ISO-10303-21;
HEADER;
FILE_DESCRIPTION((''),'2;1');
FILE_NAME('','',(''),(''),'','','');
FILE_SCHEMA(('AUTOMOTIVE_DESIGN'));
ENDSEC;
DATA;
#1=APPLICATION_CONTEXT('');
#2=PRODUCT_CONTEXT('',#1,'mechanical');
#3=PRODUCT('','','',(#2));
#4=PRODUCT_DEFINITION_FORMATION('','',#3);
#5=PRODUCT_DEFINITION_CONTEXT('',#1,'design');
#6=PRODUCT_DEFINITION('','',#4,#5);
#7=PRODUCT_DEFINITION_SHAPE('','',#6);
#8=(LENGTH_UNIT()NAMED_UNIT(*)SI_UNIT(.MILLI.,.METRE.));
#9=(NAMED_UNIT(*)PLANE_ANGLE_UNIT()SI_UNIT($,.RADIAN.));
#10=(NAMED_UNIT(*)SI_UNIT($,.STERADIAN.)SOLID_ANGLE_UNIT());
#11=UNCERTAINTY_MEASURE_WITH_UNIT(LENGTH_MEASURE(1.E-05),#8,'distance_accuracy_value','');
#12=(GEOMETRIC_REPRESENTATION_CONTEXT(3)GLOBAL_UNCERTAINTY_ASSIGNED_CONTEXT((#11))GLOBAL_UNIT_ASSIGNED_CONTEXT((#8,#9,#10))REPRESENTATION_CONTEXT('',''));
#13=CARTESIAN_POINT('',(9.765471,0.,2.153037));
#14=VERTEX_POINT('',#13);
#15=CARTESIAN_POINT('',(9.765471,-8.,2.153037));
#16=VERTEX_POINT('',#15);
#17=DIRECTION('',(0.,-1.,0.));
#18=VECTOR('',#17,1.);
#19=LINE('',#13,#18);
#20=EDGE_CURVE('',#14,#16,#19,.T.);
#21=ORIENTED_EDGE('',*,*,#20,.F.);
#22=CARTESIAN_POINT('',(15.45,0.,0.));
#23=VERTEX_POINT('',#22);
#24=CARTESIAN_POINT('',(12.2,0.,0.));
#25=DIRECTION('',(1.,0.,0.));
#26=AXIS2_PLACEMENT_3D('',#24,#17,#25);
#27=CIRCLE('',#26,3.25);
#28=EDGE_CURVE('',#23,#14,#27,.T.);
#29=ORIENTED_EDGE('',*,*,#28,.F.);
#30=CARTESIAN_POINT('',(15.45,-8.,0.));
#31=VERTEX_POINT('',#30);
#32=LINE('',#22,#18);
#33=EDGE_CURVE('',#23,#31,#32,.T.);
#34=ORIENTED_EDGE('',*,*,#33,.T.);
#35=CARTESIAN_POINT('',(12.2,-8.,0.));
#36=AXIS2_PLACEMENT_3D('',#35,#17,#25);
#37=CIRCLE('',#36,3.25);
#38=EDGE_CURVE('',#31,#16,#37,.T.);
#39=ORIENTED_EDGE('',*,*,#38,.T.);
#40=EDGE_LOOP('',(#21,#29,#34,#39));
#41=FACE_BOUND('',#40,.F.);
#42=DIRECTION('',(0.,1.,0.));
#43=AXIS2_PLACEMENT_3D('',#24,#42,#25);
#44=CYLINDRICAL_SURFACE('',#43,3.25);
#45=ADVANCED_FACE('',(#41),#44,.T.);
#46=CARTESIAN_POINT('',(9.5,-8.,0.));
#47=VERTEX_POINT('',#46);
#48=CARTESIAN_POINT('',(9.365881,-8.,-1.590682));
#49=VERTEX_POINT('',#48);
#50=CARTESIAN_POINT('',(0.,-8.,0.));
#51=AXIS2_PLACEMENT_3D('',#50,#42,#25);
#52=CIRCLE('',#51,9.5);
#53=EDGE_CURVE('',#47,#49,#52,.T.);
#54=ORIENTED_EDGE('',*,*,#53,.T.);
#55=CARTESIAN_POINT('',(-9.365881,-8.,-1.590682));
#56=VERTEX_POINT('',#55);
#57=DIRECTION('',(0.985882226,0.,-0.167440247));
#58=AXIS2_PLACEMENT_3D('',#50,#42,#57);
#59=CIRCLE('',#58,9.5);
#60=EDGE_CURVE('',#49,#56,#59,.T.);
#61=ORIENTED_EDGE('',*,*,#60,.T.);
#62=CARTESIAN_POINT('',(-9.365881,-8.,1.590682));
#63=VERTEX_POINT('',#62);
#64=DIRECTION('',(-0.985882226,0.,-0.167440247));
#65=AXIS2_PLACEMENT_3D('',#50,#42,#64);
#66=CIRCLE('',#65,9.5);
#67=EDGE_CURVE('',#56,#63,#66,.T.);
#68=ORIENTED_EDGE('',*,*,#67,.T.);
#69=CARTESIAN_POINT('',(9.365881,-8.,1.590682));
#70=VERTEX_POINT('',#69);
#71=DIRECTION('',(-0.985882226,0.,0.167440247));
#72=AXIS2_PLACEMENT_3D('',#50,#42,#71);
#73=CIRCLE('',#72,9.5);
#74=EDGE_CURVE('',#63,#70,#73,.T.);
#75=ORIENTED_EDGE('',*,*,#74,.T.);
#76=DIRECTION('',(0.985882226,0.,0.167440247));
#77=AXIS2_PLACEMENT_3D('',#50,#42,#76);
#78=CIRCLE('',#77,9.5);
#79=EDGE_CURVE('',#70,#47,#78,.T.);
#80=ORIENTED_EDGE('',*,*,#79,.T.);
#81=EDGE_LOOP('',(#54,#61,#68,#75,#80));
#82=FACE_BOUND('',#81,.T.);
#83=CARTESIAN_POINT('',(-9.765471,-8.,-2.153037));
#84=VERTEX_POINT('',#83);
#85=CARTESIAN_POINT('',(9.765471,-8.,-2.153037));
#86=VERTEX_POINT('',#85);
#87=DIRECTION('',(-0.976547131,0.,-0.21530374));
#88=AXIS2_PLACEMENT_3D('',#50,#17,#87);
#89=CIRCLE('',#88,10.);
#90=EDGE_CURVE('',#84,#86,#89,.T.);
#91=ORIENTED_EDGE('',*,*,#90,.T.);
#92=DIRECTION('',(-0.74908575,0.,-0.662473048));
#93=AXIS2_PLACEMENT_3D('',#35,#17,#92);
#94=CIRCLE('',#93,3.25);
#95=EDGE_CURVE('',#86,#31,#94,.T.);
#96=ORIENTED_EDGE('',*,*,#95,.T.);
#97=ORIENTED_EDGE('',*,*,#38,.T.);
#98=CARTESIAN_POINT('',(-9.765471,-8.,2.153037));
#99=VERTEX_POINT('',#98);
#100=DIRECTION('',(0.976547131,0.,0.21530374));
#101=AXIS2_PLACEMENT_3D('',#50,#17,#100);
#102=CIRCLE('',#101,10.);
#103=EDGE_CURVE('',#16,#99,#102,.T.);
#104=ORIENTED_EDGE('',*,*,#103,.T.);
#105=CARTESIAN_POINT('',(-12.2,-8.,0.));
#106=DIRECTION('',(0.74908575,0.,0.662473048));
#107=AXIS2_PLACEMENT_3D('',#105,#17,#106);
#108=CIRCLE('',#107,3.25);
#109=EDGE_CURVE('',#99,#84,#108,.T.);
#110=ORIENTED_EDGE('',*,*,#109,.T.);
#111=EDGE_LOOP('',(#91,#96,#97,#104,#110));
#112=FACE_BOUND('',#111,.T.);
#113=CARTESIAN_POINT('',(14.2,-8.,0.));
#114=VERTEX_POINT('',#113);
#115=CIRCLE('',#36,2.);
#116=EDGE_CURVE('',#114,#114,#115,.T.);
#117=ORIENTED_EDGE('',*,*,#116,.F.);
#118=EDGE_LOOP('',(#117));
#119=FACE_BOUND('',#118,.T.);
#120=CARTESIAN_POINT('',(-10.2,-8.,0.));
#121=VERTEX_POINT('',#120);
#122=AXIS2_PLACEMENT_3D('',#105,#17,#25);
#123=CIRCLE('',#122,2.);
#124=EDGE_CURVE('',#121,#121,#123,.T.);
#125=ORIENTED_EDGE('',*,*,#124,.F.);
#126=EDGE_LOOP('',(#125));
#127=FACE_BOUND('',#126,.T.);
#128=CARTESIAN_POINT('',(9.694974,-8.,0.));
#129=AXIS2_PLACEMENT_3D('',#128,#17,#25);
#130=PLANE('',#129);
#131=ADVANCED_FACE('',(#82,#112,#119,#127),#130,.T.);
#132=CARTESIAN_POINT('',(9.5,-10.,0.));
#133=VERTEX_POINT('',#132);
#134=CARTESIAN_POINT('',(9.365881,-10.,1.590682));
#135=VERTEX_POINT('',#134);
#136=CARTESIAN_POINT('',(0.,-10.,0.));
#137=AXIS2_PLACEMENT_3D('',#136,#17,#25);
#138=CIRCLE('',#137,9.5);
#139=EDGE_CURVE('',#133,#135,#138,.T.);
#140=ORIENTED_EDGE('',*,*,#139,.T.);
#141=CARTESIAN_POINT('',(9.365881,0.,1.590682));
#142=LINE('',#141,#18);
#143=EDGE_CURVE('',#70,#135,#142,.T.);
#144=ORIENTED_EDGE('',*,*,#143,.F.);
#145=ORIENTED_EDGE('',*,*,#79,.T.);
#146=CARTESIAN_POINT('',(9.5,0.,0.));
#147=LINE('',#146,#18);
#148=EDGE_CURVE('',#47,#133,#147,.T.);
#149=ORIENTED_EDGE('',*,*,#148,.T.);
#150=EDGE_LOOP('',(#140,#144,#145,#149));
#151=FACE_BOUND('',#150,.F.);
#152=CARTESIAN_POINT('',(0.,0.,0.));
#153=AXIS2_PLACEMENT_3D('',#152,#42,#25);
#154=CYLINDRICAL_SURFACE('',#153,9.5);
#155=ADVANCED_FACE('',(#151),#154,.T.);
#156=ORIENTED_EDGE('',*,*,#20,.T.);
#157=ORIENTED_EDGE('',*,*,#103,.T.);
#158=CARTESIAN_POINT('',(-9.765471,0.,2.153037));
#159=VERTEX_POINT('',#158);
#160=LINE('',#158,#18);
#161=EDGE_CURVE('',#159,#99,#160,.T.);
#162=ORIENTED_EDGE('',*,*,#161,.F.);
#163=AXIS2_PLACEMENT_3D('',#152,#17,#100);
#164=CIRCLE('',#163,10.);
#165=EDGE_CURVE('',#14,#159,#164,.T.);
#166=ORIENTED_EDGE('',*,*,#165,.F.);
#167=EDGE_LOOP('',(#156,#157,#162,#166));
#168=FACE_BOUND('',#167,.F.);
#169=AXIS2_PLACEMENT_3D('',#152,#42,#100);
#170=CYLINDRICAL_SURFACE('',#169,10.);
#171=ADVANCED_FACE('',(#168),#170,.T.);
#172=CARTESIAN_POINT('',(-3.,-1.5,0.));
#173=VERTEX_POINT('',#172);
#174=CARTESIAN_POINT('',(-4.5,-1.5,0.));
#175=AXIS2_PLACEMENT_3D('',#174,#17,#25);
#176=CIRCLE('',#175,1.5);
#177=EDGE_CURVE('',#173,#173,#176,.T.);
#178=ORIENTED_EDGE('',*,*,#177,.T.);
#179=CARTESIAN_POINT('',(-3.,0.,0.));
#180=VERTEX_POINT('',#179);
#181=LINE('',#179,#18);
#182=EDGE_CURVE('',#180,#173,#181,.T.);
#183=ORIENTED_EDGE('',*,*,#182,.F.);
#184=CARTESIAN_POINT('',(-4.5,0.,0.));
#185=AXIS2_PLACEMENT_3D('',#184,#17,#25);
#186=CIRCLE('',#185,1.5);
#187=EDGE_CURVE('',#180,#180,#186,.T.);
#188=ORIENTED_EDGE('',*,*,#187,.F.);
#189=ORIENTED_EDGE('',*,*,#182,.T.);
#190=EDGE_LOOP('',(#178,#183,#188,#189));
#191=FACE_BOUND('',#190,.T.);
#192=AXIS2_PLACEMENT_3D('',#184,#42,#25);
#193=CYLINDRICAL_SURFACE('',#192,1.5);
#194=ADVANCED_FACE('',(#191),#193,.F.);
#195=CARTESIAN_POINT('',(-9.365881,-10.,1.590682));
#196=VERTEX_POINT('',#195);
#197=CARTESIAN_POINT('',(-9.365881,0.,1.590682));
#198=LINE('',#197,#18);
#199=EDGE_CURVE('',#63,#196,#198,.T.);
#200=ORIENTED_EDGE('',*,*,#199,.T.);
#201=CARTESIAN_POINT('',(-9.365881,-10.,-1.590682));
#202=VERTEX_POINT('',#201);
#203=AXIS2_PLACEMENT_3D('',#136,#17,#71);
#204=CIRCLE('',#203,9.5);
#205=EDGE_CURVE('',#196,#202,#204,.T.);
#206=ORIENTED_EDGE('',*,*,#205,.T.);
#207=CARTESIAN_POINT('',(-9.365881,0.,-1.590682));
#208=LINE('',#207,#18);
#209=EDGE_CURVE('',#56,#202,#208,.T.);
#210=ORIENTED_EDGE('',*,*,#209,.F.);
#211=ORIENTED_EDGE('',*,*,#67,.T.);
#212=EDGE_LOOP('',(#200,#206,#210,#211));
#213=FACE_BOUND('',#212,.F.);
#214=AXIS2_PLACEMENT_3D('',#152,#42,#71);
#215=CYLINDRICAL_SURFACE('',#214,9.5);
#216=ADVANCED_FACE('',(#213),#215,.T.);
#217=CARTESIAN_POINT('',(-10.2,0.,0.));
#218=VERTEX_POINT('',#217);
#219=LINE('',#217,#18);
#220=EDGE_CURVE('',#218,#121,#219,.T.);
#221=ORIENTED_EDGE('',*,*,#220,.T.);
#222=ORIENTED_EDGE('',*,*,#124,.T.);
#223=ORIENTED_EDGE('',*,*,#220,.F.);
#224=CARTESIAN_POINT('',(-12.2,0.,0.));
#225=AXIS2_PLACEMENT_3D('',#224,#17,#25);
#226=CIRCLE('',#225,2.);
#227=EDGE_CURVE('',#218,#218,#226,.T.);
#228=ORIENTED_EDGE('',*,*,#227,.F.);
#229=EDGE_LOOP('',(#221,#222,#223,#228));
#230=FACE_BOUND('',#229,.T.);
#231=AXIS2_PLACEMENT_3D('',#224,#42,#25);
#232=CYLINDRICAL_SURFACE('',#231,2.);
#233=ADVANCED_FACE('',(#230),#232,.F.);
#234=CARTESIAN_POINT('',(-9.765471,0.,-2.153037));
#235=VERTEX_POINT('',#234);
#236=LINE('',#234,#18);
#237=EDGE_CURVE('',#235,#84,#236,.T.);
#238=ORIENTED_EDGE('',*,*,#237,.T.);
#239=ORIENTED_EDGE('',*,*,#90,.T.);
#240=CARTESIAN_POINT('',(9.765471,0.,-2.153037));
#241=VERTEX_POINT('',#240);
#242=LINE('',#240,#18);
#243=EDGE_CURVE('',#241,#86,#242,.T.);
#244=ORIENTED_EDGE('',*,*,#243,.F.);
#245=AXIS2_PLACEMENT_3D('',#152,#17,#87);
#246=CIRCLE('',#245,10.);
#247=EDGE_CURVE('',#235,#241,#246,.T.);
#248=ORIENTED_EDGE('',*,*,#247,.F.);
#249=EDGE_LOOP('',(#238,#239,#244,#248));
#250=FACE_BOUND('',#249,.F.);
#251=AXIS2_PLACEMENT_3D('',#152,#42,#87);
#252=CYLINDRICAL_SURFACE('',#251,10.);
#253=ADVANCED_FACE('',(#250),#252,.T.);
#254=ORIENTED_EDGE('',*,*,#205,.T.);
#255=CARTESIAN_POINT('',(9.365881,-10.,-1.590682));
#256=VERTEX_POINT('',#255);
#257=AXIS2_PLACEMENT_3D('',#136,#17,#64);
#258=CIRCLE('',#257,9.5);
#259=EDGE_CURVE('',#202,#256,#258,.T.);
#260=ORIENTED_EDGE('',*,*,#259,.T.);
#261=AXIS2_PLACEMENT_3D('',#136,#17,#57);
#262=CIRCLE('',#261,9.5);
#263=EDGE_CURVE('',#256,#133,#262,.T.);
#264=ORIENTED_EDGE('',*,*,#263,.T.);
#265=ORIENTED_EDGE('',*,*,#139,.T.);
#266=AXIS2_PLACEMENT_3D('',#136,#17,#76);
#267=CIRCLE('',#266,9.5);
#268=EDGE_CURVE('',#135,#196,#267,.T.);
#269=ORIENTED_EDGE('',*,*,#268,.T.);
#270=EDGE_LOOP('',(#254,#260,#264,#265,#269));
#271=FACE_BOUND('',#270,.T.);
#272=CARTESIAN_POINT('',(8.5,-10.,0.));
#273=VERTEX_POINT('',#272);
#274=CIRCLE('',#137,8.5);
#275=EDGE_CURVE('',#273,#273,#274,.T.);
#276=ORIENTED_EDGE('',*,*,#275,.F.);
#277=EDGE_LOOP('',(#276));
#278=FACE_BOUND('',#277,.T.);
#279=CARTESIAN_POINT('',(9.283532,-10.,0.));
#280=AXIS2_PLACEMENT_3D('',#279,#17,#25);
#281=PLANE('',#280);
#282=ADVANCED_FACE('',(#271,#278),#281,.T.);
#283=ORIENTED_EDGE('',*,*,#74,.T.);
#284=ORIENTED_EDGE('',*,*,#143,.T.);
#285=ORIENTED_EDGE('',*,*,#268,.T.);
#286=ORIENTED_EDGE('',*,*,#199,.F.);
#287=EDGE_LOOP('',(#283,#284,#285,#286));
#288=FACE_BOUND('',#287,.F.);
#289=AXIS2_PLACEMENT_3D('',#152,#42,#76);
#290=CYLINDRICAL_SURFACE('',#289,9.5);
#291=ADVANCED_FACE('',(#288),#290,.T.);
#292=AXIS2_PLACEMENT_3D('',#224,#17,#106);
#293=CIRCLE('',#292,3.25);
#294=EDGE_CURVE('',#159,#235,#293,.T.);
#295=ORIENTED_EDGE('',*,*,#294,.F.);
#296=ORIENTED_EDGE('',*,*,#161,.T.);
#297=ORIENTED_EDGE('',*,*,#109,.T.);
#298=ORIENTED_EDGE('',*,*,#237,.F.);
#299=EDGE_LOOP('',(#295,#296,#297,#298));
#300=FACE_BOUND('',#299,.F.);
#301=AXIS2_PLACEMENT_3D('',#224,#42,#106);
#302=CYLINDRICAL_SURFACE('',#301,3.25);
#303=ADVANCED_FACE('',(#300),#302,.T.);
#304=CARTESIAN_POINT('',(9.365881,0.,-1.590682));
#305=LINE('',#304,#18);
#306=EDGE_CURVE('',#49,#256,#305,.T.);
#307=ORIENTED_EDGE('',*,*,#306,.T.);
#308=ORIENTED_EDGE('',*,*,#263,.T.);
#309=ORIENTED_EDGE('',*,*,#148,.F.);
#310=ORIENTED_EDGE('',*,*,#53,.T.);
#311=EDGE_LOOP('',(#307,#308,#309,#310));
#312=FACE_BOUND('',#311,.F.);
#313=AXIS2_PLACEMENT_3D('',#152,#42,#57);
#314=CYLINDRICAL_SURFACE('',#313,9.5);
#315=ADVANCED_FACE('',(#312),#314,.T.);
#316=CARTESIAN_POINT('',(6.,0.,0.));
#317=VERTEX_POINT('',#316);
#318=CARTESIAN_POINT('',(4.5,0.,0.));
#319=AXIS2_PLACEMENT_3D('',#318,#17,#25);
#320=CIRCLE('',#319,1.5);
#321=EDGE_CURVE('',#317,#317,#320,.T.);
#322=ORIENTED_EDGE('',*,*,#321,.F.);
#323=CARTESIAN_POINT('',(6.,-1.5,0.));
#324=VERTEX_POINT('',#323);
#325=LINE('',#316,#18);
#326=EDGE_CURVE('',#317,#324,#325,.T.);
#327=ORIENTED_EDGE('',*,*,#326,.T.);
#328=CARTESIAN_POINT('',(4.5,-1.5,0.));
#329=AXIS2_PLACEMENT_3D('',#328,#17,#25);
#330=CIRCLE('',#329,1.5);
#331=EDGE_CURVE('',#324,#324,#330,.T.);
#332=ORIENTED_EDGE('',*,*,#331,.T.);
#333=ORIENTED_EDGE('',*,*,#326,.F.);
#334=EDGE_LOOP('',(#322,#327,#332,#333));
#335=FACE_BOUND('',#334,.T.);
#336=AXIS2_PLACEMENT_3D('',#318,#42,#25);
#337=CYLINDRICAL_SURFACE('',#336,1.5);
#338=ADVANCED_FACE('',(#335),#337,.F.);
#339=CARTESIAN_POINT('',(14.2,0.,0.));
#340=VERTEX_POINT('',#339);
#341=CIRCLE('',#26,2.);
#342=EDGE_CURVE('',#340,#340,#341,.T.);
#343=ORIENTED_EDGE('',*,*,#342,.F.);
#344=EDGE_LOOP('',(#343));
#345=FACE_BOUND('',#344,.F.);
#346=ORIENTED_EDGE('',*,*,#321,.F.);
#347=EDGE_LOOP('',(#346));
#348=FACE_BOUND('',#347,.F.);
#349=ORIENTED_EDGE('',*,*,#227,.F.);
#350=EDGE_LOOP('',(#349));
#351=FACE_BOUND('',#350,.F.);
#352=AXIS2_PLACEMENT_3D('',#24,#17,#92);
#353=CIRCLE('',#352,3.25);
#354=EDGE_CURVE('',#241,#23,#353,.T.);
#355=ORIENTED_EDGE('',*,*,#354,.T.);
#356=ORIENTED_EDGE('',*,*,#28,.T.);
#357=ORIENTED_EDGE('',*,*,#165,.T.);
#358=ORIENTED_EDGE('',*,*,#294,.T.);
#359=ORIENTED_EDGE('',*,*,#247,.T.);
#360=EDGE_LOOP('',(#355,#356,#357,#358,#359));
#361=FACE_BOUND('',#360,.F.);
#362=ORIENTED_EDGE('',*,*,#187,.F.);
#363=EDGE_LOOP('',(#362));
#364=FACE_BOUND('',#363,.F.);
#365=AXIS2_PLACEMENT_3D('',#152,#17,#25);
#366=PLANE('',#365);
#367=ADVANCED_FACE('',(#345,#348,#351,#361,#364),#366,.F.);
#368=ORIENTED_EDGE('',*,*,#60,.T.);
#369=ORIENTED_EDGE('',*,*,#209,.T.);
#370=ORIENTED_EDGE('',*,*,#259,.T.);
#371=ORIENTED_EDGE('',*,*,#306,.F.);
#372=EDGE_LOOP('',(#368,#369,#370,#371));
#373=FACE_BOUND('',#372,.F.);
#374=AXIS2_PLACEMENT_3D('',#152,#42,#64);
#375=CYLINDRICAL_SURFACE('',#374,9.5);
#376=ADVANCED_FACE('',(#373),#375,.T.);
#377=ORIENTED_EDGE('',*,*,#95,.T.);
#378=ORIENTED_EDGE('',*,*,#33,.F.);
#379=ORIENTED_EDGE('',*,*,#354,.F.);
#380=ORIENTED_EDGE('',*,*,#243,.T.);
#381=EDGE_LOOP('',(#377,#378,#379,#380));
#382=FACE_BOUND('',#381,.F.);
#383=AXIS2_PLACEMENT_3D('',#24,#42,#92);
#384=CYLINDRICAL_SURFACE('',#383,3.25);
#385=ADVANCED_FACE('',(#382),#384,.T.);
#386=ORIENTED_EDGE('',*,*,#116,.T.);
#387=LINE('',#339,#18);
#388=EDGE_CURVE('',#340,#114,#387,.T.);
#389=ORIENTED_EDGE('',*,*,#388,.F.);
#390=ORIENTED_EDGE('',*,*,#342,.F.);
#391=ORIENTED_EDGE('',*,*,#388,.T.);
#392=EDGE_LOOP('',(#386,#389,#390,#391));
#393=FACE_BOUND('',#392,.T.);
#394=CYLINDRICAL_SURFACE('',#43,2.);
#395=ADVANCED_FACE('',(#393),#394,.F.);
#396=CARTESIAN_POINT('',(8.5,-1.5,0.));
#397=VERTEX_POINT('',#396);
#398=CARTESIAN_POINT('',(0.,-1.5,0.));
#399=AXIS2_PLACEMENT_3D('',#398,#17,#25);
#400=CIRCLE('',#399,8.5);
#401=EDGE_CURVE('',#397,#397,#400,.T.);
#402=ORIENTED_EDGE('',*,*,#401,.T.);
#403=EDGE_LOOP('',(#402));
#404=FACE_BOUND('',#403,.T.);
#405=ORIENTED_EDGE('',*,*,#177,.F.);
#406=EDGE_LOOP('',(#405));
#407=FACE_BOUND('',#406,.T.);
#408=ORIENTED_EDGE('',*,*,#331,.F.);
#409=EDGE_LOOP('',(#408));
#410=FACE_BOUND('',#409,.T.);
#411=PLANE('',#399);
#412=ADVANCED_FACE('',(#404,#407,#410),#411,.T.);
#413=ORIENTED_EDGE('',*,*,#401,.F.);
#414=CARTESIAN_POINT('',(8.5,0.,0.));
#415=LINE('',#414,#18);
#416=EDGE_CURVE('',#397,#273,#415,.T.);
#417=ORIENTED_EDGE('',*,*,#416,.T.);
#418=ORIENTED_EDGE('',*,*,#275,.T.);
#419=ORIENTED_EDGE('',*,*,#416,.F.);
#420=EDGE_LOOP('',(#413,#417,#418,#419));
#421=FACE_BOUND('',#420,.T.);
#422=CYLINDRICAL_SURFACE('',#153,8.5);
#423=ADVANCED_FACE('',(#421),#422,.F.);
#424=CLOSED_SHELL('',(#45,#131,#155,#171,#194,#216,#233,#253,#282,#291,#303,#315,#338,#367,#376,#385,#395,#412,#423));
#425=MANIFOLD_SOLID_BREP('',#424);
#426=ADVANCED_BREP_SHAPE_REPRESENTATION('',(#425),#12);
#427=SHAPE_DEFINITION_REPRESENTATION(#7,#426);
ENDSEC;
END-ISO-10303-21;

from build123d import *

# Parameters (mm, degrees)
F0_R     = 8.5
F1_DEPTH = 10
F0_R_2   = 2
F2_DEPTH = 8
F0_R_3   = 1.5
F3_DEPTH = 1.5
F4_DEPTH = 10


with BuildPart() as f1:
    # F0 (on Front) → F1 (new body)
    with BuildSketch(Plane.XZ):
        with BuildLine():
            ThreePointArc((9.3658811475, -1.5906823473), (8.95, 0), (9.3658811475, 1.5906823473))
            ThreePointArc((9.3658811475, 1.5906823473), (0, 9.5), (-9.3658811475, 1.5906823473))
            ThreePointArc((-9.3658811475, 1.5906823473), (-9.0556887662, 0.8220747319), (-8.95, 0))
            ThreePointArc((-8.95, 0), (-9.0556887662, -0.8220747319), (-9.3658811475, -1.5906823473))
            ThreePointArc((-9.3658811475, -1.5906823473), (0, -9.5), (9.3658811475, -1.5906823473))
        make_face()
        Circle(F0_R, mode=Mode.SUBTRACT)
    extrude(amount=F1_DEPTH)

    # F0 (on Front) → F2 (join)
    with BuildSketch(Plane.XZ):
        with BuildLine():
            ThreePointArc((9.7654713115, -2.1530374044), (9.941194926, -1.082886625), (10, 0))
            ThreePointArc((10, 0), (9.941194926, 1.082886625), (9.7654713115, 2.1530374044))
            ThreePointArc((9.7654713115, 2.1530374044), (9.550712826, 1.8824923558), (9.3658811475, 1.5906823473))
            ThreePointArc((9.3658811475, 1.5906823473), (9.4664109065, 0.7981632347), (9.5, 0))
            ThreePointArc((9.5, 0), (9.4664109065, -0.7981632347), (9.3658811475, -1.5906823473))
            ThreePointArc((9.3658811475, -1.5906823473), (9.550712826, -1.8824923558), (9.7654713115, -2.1530374044))
        make_face()
        with BuildLine():
            ThreePointArc((9.7654713115, 2.1530374044), (9.941194926, 1.082886625), (10, 0))
            ThreePointArc((10, 0), (9.941194926, -1.082886625), (9.7654713115, -2.1530374044))
            ThreePointArc((9.7654713115, -2.1530374044), (13.3511476366, -3.0393024066), (15.45, 0))
            ThreePointArc((15.45, 0), (13.3511476366, 3.0393024066), (9.7654713115, 2.1530374044))
        make_face()
        with Locations((12.2, 0)):
            Circle(F0_R_2, mode=Mode.SUBTRACT)
        with BuildLine():
            ThreePointArc((9.3658811475, 1.5906823473), (9.550712826, 1.8824923558), (9.7654713115, 2.1530374044))
            ThreePointArc((9.7654713115, 2.1530374044), (0, 10), (-9.7654713115, 2.1530374044))
            ThreePointArc((-9.7654713115, 2.1530374044), (-9.550712826, 1.8824923558), (-9.3658811475, 1.5906823473))
            ThreePointArc((-9.3658811475, 1.5906823473), (0, 9.5), (9.3658811475, 1.5906823473))
        make_face()
        with BuildLine():
            ThreePointArc((-9.7654713115, -2.1530374044), (0, -10), (9.7654713115, -2.1530374044))
            ThreePointArc((9.7654713115, -2.1530374044), (9.550712826, -1.8824923558), (9.3658811475, -1.5906823473))
            ThreePointArc((9.3658811475, -1.5906823473), (0, -9.5), (-9.3658811475, -1.5906823473))
            ThreePointArc((-9.3658811475, -1.5906823473), (-9.550712826, -1.8824923558), (-9.7654713115, -2.1530374044))
        make_face()
        with BuildLine():
            ThreePointArc((-9.3658811475, 1.5906823473), (-9.550712826, 1.8824923558), (-9.7654713115, 2.1530374044))
            ThreePointArc((-9.7654713115, 2.1530374044), (-10, 0), (-9.7654713115, -2.1530374044))
            ThreePointArc((-9.7654713115, -2.1530374044), (-9.550712826, -1.8824923558), (-9.3658811475, -1.5906823473))
            ThreePointArc((-9.3658811475, -1.5906823473), (-9.5, 0), (-9.3658811475, 1.5906823473))
        make_face()
        with BuildLine():
            ThreePointArc((-9.7654713115, -2.1530374044), (-10, 0), (-9.7654713115, 2.1530374044))
            ThreePointArc((-9.7654713115, 2.1530374044), (-15.45, 0), (-9.7654713115, -2.1530374044))
        make_face()
        with Locations((-12.2, 0)):
            Circle(F0_R_2, mode=Mode.SUBTRACT)
    extrude(amount=F2_DEPTH)

    # F0 (on Front) → F3 (join)
    with BuildSketch(Plane.XZ):
        Circle(F0_R)
        with Locations((-4.5, 0)):
            Circle(F0_R_3, mode=Mode.SUBTRACT)
        with Locations((4.5, 0)):
            Circle(F0_R_3, mode=Mode.SUBTRACT)
    extrude(amount=F3_DEPTH)

    # F0 (on Front) → F4 (join)
    with BuildSketch(Plane.XZ):
        with BuildLine():
            ThreePointArc((9.5, 0), (9.4664109065, 0.7981632347), (9.3658811475, 1.5906823473))
            ThreePointArc((9.3658811475, 1.5906823473), (8.95, 0), (9.3658811475, -1.5906823473))
            ThreePointArc((9.3658811475, -1.5906823473), (9.4664109065, -0.7981632347), (9.5, 0))
        make_face()
        with BuildLine():
            ThreePointArc((-8.95, 0), (-9.0556887662, 0.8220747319), (-9.3658811475, 1.5906823473))
            ThreePointArc((-9.3658811475, 1.5906823473), (-9.5, 0), (-9.3658811475, -1.5906823473))
            ThreePointArc((-9.3658811475, -1.5906823473), (-9.0556887662, -0.8220747319), (-8.95, 0))
        make_face()
    extrude(amount=F4_DEPTH)


solid = f1.part
